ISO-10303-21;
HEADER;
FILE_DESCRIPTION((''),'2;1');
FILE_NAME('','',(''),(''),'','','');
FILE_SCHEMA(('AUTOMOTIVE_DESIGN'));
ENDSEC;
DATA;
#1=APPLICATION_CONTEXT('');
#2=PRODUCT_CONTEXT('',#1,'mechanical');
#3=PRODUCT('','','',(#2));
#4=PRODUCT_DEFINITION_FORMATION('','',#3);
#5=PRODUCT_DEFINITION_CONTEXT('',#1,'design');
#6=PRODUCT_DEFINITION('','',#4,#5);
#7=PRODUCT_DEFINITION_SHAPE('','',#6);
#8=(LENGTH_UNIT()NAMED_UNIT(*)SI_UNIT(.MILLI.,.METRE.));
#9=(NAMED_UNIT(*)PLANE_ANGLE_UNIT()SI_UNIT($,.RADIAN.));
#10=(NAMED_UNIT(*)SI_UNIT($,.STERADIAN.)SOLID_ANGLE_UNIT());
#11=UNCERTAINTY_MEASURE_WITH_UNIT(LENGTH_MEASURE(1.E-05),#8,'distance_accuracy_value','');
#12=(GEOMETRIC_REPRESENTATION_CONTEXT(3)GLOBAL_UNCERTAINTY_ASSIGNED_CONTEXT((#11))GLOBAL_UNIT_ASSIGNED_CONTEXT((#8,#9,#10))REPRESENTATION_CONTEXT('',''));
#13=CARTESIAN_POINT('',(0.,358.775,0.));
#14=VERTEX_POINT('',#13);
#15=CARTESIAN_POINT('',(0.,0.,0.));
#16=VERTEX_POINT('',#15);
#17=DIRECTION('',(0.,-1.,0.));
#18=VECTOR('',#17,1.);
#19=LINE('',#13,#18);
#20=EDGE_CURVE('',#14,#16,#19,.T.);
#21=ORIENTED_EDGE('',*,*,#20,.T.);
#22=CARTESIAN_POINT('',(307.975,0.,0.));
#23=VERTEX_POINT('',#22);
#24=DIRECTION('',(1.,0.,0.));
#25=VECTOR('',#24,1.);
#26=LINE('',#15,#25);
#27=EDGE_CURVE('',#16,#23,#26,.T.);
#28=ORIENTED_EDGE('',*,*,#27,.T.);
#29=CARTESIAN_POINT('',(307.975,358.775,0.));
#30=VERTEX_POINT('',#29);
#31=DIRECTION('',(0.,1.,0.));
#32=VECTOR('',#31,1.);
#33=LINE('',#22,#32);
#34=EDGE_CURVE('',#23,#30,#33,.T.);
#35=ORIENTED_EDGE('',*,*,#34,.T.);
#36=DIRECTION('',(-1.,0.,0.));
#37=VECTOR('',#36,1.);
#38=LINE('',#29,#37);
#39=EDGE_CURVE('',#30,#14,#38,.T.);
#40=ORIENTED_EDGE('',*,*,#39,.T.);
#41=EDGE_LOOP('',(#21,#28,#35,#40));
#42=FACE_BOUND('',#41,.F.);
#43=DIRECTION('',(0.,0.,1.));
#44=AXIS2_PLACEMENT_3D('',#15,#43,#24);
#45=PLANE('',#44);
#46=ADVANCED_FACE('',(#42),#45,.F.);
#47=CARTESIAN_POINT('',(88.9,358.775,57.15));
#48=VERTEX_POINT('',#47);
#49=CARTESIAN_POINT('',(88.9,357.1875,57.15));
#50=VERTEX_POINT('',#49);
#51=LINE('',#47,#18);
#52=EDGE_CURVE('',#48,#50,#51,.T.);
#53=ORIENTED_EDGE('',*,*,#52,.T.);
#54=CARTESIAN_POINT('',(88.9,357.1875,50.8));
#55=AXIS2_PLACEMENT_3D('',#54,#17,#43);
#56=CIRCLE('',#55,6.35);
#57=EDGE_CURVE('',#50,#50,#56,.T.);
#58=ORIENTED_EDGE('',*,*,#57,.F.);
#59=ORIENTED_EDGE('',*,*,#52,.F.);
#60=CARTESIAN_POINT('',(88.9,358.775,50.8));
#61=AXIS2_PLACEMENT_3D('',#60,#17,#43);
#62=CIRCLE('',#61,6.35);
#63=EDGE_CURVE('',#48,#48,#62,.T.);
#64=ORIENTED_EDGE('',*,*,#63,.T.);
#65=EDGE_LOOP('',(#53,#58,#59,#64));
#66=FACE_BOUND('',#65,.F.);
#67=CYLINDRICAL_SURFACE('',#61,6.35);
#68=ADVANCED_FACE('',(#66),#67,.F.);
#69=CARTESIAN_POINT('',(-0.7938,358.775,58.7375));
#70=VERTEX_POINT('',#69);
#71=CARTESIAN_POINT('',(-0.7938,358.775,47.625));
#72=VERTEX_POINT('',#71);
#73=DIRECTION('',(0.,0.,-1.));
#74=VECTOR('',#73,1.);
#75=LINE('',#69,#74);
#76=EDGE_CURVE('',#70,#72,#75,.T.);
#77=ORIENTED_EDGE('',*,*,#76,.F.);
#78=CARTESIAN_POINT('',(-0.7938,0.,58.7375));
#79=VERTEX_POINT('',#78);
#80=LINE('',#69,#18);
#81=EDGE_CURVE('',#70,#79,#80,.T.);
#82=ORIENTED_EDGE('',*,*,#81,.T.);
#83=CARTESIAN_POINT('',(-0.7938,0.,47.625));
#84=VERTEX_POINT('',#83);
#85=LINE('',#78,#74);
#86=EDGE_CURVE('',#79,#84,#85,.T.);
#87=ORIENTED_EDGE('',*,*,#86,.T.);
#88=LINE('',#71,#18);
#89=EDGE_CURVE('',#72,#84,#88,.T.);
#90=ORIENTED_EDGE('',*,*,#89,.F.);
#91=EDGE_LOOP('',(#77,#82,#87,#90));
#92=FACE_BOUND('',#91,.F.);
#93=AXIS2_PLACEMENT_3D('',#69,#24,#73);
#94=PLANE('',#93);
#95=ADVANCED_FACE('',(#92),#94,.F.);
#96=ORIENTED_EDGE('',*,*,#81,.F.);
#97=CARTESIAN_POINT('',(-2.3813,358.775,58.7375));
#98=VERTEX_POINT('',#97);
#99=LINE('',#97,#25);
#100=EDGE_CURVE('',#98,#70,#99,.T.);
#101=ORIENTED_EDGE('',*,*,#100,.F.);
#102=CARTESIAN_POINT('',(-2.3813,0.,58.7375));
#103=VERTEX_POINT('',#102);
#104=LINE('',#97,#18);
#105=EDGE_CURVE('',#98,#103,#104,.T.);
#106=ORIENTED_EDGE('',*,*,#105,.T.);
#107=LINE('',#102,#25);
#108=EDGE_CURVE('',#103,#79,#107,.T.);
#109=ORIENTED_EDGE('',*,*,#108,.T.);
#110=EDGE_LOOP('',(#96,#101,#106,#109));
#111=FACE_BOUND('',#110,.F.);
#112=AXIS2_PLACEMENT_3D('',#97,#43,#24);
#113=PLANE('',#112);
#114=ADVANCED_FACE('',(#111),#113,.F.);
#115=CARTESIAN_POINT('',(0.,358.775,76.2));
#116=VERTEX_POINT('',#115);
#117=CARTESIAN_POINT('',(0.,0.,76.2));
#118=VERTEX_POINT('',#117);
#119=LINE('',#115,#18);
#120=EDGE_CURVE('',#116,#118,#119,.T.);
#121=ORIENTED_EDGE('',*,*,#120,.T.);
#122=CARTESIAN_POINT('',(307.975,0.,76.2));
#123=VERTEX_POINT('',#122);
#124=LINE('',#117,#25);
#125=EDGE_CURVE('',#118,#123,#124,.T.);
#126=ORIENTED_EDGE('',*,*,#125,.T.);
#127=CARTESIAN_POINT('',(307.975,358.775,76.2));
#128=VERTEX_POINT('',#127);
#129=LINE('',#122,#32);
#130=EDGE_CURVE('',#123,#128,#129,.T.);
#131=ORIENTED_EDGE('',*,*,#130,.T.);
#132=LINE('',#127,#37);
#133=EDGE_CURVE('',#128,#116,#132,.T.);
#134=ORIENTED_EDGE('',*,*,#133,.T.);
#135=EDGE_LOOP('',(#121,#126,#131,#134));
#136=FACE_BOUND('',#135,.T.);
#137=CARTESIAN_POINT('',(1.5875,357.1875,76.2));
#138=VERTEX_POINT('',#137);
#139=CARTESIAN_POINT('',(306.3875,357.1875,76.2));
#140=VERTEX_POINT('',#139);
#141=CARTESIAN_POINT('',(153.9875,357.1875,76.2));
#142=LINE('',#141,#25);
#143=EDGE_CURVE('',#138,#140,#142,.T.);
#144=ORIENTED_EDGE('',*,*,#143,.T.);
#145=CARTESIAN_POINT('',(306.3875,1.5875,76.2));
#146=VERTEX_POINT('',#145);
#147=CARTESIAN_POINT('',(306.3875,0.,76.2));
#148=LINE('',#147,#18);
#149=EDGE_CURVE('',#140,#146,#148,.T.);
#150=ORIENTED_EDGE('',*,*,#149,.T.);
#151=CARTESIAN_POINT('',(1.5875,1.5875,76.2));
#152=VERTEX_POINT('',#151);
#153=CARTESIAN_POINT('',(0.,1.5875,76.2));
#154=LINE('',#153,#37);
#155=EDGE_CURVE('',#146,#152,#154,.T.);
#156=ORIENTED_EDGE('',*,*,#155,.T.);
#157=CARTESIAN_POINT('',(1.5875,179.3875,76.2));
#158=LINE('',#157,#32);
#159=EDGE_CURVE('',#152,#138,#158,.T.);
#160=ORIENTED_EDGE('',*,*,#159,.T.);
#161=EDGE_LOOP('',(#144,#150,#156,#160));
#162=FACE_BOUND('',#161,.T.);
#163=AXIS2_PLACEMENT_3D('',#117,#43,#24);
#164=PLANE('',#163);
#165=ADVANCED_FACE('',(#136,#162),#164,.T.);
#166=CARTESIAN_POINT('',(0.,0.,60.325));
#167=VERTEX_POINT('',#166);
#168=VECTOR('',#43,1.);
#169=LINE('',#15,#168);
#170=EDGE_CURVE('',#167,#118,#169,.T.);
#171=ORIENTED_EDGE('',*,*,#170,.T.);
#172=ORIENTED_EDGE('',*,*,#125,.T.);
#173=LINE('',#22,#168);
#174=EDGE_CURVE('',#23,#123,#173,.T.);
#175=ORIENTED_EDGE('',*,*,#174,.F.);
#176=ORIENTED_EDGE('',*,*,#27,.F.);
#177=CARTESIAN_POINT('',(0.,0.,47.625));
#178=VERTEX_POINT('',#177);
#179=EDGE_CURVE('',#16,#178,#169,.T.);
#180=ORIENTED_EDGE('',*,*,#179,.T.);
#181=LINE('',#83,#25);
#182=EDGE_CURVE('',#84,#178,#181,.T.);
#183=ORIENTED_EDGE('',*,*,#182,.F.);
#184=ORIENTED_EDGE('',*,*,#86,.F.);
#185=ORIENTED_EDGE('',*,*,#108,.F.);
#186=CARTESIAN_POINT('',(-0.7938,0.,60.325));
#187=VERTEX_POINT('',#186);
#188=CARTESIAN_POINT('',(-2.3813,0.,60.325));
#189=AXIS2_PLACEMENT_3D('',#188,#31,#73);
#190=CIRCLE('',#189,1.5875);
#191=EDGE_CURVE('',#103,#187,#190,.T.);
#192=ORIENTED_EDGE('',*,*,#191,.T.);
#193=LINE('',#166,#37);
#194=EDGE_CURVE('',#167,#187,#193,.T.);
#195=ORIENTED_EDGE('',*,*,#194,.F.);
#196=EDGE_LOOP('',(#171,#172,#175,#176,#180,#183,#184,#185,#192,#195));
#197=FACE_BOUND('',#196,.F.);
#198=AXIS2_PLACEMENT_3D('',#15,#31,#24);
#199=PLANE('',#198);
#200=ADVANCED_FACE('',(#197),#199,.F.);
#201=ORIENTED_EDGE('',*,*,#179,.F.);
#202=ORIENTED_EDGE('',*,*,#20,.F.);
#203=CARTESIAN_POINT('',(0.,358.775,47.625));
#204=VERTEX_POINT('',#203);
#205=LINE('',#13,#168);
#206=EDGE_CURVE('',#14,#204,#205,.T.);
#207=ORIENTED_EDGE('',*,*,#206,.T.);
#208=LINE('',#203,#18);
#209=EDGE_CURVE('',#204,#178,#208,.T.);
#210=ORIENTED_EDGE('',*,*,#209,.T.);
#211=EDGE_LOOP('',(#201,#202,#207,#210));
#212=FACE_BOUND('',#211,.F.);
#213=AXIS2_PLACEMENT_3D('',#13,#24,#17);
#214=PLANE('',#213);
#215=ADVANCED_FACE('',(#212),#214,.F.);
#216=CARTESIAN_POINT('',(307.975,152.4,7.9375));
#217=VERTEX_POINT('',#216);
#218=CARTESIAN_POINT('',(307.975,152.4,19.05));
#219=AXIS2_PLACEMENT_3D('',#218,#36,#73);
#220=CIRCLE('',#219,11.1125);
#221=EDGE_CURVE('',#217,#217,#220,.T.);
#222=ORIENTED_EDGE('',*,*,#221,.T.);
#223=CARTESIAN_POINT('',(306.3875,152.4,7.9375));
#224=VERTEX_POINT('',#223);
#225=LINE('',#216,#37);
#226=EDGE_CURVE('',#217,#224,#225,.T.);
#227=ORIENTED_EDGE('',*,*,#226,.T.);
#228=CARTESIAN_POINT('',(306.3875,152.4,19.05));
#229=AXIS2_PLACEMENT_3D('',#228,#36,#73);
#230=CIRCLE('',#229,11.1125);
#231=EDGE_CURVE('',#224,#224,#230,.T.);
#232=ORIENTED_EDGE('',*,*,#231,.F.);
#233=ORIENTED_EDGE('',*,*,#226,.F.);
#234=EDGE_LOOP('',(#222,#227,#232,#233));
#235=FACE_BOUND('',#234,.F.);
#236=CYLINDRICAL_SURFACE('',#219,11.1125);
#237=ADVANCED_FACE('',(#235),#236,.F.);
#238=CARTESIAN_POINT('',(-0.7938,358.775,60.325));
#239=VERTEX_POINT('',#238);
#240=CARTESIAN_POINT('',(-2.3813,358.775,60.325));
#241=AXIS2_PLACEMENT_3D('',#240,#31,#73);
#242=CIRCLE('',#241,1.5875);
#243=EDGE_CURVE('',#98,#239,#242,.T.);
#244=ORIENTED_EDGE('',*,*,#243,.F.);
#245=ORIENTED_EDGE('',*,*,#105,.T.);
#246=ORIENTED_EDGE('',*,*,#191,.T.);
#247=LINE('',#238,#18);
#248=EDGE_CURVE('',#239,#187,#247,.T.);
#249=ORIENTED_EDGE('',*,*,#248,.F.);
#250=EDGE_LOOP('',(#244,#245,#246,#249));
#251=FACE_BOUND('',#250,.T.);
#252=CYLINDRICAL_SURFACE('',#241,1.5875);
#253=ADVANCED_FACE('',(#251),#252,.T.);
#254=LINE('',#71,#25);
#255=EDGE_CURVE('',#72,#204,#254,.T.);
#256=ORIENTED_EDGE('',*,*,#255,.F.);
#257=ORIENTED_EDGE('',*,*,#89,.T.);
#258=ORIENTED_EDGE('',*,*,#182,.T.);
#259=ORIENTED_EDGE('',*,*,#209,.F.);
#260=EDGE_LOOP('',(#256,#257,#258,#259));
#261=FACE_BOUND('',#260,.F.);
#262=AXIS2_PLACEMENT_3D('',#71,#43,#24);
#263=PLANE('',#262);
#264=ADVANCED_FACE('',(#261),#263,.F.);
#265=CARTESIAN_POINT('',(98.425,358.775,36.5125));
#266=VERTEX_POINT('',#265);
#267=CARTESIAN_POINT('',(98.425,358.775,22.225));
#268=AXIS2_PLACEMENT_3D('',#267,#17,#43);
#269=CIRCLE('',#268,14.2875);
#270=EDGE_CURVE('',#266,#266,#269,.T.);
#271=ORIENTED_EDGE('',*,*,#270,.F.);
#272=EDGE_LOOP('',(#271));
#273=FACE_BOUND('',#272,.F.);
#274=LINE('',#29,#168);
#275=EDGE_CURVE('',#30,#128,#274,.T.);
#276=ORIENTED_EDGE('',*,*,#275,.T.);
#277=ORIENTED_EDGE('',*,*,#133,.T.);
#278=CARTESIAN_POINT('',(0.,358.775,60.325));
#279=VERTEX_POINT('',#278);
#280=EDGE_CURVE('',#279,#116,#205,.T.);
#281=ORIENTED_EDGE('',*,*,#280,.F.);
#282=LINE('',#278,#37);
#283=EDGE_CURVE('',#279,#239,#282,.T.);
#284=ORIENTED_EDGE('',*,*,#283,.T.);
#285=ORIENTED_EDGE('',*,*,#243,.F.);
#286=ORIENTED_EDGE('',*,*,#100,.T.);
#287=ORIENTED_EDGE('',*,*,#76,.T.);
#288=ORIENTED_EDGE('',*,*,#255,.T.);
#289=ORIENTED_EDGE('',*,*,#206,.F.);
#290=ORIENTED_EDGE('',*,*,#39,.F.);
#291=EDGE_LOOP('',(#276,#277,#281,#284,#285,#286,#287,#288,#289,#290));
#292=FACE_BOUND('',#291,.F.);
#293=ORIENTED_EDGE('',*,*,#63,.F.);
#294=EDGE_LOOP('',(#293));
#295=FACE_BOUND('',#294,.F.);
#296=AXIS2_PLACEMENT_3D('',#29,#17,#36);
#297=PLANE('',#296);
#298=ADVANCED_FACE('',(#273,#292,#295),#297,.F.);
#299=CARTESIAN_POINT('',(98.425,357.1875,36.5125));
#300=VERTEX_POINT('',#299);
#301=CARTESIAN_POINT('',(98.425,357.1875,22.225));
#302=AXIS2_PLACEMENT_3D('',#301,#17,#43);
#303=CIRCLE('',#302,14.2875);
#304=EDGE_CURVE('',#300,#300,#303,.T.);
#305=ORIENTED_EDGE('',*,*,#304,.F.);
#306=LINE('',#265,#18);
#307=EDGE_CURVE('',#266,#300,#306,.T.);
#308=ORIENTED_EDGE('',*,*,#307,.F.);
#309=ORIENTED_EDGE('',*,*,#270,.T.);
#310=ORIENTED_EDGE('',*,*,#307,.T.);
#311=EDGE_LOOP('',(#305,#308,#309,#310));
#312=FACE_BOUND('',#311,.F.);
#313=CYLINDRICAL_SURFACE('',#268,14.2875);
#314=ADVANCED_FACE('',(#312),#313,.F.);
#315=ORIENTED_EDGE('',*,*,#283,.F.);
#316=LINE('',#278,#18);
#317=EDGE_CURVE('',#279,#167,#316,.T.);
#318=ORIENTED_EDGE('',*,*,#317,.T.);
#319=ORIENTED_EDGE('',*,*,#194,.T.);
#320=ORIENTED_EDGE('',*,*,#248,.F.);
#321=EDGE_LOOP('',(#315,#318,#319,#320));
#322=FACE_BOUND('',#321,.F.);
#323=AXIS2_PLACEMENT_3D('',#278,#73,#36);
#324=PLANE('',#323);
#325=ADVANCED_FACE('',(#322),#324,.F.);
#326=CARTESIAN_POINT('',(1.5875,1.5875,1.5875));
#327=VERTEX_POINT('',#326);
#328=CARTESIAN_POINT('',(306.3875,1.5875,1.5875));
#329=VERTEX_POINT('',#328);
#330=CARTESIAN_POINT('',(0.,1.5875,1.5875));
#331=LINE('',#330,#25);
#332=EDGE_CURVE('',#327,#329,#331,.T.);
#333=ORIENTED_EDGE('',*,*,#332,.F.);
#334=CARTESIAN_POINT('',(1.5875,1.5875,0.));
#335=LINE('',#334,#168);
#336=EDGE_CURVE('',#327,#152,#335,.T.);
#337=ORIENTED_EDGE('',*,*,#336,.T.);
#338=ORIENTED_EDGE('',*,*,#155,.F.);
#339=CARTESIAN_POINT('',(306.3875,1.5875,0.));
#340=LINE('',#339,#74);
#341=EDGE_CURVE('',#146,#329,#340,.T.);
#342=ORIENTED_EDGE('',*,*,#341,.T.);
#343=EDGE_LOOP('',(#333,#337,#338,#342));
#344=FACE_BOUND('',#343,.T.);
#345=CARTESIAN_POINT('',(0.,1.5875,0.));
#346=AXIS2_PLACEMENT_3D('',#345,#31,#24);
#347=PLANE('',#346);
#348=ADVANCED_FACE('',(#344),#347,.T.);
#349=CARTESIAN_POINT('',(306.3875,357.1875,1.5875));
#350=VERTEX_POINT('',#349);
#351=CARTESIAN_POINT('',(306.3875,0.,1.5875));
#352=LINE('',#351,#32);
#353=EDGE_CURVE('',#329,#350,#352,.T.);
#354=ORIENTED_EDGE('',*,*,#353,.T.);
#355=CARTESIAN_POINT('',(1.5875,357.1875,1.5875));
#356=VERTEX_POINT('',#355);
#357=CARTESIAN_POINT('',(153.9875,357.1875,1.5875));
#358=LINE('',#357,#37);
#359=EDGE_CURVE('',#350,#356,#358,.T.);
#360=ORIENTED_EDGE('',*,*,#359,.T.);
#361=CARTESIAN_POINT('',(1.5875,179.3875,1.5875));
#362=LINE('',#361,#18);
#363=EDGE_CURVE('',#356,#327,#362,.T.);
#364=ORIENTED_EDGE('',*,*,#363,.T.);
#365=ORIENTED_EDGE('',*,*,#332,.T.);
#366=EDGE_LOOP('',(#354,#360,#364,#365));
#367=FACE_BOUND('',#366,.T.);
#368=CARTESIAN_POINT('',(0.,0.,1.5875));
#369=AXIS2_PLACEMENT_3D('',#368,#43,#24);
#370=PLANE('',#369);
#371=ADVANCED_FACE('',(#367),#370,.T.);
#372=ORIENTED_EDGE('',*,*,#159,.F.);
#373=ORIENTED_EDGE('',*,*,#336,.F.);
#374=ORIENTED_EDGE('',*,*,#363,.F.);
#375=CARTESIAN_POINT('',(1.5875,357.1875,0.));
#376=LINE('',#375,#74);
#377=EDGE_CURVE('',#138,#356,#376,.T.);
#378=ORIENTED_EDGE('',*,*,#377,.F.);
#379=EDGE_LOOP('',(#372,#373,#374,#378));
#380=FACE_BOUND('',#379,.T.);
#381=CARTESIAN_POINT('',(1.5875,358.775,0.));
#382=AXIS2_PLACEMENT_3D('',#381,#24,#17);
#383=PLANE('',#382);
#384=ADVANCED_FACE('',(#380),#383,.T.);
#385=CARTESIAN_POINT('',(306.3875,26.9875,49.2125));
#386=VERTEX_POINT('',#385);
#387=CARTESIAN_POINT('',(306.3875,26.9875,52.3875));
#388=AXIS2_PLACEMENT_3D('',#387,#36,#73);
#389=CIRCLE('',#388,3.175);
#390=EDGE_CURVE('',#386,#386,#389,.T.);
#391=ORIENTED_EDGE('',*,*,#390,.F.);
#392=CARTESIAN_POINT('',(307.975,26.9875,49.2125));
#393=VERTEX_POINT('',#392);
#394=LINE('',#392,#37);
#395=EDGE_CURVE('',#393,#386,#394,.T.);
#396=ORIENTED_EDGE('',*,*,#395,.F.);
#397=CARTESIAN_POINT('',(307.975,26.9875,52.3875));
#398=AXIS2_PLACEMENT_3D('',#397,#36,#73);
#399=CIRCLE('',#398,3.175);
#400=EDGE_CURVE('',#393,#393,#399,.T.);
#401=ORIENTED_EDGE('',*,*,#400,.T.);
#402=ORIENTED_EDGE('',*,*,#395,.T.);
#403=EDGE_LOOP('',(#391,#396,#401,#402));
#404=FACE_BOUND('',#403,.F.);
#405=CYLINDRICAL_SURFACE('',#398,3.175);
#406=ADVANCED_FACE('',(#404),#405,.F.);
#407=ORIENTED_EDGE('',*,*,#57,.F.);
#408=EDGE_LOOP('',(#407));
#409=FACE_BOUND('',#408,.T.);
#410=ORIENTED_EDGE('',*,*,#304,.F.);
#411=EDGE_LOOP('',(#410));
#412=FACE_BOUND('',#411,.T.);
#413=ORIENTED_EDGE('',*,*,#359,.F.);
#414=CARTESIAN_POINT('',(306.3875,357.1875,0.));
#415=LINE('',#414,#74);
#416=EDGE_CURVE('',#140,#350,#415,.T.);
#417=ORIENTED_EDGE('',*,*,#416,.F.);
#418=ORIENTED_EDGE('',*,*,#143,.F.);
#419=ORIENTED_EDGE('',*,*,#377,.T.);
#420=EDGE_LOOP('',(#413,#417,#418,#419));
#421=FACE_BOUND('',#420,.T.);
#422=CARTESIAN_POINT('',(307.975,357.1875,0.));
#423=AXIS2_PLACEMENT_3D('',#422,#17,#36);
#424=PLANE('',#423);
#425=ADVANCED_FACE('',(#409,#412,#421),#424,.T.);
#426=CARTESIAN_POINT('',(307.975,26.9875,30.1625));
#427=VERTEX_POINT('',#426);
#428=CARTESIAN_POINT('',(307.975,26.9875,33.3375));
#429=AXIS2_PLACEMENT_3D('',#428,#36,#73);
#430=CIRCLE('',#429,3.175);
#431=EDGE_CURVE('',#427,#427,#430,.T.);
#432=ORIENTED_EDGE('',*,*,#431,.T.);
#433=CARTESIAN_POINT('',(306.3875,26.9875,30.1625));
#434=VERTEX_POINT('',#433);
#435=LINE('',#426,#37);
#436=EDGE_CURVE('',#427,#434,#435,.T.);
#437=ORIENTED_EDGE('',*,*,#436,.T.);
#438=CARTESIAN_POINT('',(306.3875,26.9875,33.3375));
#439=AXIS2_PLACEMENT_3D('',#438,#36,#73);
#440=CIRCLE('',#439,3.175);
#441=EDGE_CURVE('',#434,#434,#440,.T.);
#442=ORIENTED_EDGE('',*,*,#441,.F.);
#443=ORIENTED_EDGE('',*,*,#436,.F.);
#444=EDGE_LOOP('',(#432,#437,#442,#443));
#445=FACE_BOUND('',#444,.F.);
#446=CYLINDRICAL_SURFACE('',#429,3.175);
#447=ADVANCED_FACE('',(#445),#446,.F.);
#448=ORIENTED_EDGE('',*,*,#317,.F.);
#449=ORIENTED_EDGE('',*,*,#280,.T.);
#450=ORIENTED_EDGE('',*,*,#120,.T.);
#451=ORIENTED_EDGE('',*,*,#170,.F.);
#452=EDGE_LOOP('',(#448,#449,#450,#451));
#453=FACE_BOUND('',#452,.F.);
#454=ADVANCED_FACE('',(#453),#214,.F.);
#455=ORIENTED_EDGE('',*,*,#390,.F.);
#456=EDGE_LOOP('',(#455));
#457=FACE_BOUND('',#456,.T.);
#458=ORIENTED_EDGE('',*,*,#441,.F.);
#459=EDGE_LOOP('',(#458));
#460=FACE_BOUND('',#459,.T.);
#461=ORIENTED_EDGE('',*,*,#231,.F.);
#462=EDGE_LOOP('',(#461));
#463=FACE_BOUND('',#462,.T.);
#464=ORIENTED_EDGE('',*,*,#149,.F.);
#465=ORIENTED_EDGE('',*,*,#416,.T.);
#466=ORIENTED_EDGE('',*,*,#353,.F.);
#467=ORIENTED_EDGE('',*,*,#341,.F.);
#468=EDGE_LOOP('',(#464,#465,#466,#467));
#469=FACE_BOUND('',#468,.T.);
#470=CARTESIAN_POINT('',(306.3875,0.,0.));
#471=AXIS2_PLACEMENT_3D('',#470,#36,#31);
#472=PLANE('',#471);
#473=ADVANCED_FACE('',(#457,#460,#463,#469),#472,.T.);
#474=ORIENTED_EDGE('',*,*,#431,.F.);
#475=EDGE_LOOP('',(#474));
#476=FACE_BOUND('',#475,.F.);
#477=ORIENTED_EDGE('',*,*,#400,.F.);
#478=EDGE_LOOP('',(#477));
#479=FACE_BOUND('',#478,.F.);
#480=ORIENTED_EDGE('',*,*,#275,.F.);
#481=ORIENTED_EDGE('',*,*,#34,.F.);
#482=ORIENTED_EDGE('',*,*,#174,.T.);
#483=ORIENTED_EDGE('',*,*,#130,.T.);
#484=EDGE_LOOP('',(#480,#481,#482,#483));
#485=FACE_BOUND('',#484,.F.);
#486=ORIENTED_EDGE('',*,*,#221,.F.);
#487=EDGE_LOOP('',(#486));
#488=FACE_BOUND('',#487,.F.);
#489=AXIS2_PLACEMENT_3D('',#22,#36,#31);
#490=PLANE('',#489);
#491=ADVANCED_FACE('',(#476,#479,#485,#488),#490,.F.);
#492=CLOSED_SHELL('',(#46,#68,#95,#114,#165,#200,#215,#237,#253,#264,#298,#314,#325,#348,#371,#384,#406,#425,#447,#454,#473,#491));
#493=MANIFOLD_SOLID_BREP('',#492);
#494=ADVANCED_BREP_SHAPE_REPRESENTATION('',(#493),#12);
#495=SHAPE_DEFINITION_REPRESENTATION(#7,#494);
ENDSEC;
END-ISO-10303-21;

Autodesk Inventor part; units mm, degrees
ref_plane "YZ Plane" through (0, 0, 0) normal (1, 0, 0) x (0, 1, 0)
ref_plane "XZ Plane" through (0, 0, 0) normal (0, 1, 0) x (-1, 0, 0)
ref_plane "XY Plane" through (0, 0, 0) normal (0, 0, 1) x (1, 0, 0)
sketch "Sketch1" plane through (0, 0, 0) normal (0, 0, 1) x (1, 0, 0)
  line L0 (0, 0) -> (307.975, 0)
  line L1 (307.975, 0) -> (307.975, 358.775)
  line L2 (307.975, 358.775) -> (0, 358.775)
  line L3 (0, 358.775) -> (0, 0)
  dimension "d0" = 307.975
  dimension "d1" = 358.775
extrude "Extrusion1" add sketch "Sketch1" along normal blind 76.2
shell "Shell1" thickness 1.5875 removed faces 1 at (205.3167, 119.5917, 76.2)
sketch "Sketch2" plane through (0, 358.775, 0) normal (0, 1, 0) x (1, 0, 0)
  line L0 (0, -76.2) -> (0, -60.325) construction
  line L1 (0, -60.325) -> (-3.175, -60.325) construction
  arc A0 (-2.3813, -58.7375) -> (-0.7938, -60.325) centre (-2.3813, -60.325) ccw
  line L2 (0, -60.325) -> (-0.7938, -60.325)
  line L3 (-0.7938, -58.7375) -> (-0.7938, -47.625)
  line L4 (-0.7938, -47.625) -> (0, -47.625)
  line L5 (0, -47.625) -> (0, -60.325)
  line L6 (-2.3813, -58.7375) -> (-0.7938, -58.7375)
  point P0 (0, 0)
  dimension "d10" = 15.875
  dimension "d11" = 3.175
  dimension "d12" = 3.175
  dimension "d13" = 12.7
extrude "Extrusion2" add sketch "Sketch2" against normal up to surface (358.775 mm away)
sketch "Sketch3" plane through (307.975, 0, 0) normal (1, 0, 0) x (0, 0, -1)
  line L0 (0, 358.775) -> (0, 0) construction
  line L1 (0, 0) -> (-19.05, 0) construction
  line L2 (-19.05, 0) -> (-19.05, 152.4) construction
  line L3 (-19.05, 152.4) -> (0, 152.4) construction
  line L4 (0, 152.4) -> (0, 0) construction
  dimension "d14" = 19.05
  dimension "d15" = 152.4
hole "Hole1" at (307.975, 152.4, 19.05) direction (-1, 0, 0) diameter 22.225 depth 25.4 tip angle 118
sketch "Sketch4" plane through (307.975, 0, 0) normal (1, 0, 0) x (0, 0, -1)
  line L0 (-1.5875, 357.1875) -> (-1.5875, 1.5875) construction
  line L1 (-1.5875, 1.5875) -> (-1.5875, 26.9875) construction
  line L2 (-1.5875, 26.9875) -> (-33.3375, 26.9875) construction
  line L3 (-1.5875, 26.9875) -> (-52.3875, 26.9875) construction
  point P0 (0, 0)
  dimension "d23" = 25.4
  dimension "d24" = 31.75
  dimension "d25" = 50.8
hole "Hole2" at (307.975, 26.9875, 52.3875) at (307.975, 26.9875, 33.3375) direction (-1, 0, 0) diameter 6.35 depth 25.4 tip angle 118
sketch "Sketch5" plane through (0, 358.775, 0) normal (0, 1, 0) x (1, 0, 0)
  line L0 (0, 0) -> (307.975, 0) projected
  line L1 (0, 0) -> (98.425, 0)
  line L2 (98.425, 0) -> (98.425, -22.225)
  dimension "d33" = 98.425
  dimension "d34" = 22.225
hole "Hole3" at (98.425, 358.775, 22.225) direction (0, -1, 0) diameter 28.575 depth 25.4 tip angle 118
sketch "Sketch6" plane through (0, 358.775, 0) normal (0, 1, 0) x (1, 0, 0)
  line L0 (0, -76.2) -> (307.975, -76.2) construction
  line L1 (0, -76.2) -> (88.9, -76.2) construction
  line L2 (88.9, -76.2) -> (88.9, -50.8) construction
  line L3 (88.9, -50.8) -> (0, -50.8) construction
  line L4 (0, -50.8) -> (0, -76.2) construction
  point P0 (0, 0)
  dimension "d42" = 88.9
  dimension "d43" = 25.4
hole "Hole4" at (88.9, 358.775, 50.8) direction (0, -1, 0) diameter 12.7 depth 25.4 tip angle 118
properties part number "case" material "Steel"
